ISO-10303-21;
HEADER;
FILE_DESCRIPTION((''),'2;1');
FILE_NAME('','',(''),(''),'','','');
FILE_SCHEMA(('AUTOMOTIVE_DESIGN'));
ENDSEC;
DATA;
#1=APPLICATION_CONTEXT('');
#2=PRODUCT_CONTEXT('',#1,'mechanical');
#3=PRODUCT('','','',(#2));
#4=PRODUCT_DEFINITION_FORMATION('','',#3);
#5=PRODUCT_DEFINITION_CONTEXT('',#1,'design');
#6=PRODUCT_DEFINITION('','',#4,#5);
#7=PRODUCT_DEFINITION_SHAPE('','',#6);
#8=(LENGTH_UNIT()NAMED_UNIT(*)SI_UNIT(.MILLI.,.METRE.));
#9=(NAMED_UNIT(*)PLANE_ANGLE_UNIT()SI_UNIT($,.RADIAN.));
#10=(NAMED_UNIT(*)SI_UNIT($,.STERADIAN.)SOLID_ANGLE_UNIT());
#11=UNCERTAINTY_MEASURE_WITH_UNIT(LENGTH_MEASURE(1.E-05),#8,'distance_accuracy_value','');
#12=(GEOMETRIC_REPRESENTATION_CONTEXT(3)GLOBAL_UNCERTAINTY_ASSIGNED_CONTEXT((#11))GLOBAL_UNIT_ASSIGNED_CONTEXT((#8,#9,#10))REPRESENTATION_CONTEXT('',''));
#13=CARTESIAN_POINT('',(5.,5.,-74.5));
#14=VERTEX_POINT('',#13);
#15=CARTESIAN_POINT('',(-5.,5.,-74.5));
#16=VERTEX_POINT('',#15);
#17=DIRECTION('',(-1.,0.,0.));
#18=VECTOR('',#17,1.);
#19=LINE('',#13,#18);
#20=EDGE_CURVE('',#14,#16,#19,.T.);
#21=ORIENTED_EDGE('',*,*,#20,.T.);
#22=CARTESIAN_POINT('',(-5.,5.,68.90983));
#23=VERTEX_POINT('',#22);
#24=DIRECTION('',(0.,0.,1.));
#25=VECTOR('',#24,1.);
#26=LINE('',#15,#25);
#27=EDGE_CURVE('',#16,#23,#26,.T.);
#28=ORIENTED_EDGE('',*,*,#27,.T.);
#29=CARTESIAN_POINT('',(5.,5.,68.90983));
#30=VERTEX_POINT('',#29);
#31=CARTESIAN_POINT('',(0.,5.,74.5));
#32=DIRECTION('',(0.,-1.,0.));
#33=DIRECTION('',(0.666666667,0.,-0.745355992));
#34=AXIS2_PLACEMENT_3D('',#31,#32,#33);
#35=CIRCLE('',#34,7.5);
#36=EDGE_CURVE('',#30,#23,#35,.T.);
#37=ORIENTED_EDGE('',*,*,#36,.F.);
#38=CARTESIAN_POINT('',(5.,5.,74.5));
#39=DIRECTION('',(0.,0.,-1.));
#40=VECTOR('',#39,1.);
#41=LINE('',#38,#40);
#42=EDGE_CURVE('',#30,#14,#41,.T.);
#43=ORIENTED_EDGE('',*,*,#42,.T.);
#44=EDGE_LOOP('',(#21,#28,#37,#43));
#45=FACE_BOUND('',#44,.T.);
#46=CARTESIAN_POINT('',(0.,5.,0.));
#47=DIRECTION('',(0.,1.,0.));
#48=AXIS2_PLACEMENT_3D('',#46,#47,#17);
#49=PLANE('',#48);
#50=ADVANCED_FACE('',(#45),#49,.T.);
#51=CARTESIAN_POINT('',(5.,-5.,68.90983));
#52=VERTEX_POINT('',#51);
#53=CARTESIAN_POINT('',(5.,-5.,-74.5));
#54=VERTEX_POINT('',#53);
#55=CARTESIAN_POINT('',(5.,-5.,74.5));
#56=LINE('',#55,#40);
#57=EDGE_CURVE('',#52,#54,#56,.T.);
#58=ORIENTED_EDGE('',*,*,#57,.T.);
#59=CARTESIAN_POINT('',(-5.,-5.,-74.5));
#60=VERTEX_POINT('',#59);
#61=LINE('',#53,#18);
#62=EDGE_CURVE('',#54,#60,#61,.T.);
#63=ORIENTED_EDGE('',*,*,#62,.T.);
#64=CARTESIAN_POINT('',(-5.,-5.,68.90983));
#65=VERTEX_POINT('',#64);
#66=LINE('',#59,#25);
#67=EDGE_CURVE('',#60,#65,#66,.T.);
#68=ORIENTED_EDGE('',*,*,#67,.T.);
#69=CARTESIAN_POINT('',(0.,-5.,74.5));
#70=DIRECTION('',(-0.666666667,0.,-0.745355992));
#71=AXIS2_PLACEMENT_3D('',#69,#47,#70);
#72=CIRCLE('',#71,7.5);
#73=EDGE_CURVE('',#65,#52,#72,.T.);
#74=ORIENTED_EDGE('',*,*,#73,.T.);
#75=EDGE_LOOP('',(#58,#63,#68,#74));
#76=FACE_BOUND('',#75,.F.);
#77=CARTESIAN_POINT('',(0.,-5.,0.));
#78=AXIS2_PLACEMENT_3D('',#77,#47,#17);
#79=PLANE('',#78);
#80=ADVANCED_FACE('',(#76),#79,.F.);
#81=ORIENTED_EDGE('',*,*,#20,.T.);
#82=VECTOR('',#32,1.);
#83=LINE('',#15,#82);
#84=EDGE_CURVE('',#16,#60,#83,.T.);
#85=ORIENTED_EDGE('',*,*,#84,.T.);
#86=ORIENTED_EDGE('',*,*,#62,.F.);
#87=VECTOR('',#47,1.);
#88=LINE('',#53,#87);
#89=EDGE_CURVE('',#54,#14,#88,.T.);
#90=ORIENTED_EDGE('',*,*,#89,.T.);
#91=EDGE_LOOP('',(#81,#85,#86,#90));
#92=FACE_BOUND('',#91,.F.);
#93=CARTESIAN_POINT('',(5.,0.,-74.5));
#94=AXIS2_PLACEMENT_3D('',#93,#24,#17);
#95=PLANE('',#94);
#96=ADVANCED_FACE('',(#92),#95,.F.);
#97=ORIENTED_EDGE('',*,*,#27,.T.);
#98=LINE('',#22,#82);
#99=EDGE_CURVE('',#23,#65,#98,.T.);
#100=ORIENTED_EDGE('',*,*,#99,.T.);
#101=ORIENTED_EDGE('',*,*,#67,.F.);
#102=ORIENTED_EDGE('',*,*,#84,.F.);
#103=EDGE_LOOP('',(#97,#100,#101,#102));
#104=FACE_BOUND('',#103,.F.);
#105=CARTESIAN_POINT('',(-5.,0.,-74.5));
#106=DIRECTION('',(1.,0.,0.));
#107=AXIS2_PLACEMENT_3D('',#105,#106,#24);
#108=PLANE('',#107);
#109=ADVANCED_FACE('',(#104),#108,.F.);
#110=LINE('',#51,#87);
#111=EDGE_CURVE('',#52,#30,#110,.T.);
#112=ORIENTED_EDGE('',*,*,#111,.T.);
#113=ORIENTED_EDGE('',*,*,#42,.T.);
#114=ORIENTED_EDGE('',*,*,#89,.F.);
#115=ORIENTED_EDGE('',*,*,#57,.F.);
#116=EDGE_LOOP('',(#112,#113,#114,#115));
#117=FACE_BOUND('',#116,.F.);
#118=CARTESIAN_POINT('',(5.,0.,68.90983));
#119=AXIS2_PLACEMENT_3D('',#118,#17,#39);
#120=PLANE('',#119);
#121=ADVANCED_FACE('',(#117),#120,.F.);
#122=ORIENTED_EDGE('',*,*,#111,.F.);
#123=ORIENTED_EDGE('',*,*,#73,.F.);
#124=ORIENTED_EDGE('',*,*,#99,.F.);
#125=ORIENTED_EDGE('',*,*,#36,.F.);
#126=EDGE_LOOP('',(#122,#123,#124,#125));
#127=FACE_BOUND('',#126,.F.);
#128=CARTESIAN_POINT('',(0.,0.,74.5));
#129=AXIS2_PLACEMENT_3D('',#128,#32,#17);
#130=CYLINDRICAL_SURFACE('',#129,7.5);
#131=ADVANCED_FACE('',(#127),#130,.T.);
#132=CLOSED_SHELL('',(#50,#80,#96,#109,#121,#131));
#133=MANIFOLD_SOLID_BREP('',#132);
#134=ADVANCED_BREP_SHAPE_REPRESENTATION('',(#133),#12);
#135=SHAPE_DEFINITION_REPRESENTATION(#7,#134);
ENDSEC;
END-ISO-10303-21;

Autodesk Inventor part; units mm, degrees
ref_plane "YZ Plane" through (0, 0, 0) normal (1, 0, 0) x (0, 1, 0)
ref_plane "XZ Plane" through (0, 0, 0) normal (0, 1, 0) x (-1, 0, 0)
ref_plane "XY Plane" through (0, 0, 0) normal (0, 0, 1) x (1, 0, 0)
sketch "スケッチ1" plane through (0, 0, 0) normal (0, 1, 0) x (-1, 0, 0)
  line L0 (5, 74.5) -> (-5, 74.5)
  line L1 (-5, 74.5) -> (-5, -74.5)
  line L2 (-5, -74.5) -> (5, -74.5)
  line L3 (5, -74.5) -> (5, 74.5)
  circle A0 centre (0, 74.5) radius 7.5
  point P0 (0, 0)
  point P1 (-5, 68.9098)
  point P2 (5, 68.9098)
  point P3 (0, -74.5)
  dimension "d0" = 15
  dimension "d3" = 5
  dimension "d4" = 5
  dimension "d8" = 0
  dimension "d9" = 74.5
  dimension "d17" = 149
extrude "押し出し1" add sketch "スケッチ1" along normal blind 5 and the other way blind 5
properties part number "link_kp2heel"
